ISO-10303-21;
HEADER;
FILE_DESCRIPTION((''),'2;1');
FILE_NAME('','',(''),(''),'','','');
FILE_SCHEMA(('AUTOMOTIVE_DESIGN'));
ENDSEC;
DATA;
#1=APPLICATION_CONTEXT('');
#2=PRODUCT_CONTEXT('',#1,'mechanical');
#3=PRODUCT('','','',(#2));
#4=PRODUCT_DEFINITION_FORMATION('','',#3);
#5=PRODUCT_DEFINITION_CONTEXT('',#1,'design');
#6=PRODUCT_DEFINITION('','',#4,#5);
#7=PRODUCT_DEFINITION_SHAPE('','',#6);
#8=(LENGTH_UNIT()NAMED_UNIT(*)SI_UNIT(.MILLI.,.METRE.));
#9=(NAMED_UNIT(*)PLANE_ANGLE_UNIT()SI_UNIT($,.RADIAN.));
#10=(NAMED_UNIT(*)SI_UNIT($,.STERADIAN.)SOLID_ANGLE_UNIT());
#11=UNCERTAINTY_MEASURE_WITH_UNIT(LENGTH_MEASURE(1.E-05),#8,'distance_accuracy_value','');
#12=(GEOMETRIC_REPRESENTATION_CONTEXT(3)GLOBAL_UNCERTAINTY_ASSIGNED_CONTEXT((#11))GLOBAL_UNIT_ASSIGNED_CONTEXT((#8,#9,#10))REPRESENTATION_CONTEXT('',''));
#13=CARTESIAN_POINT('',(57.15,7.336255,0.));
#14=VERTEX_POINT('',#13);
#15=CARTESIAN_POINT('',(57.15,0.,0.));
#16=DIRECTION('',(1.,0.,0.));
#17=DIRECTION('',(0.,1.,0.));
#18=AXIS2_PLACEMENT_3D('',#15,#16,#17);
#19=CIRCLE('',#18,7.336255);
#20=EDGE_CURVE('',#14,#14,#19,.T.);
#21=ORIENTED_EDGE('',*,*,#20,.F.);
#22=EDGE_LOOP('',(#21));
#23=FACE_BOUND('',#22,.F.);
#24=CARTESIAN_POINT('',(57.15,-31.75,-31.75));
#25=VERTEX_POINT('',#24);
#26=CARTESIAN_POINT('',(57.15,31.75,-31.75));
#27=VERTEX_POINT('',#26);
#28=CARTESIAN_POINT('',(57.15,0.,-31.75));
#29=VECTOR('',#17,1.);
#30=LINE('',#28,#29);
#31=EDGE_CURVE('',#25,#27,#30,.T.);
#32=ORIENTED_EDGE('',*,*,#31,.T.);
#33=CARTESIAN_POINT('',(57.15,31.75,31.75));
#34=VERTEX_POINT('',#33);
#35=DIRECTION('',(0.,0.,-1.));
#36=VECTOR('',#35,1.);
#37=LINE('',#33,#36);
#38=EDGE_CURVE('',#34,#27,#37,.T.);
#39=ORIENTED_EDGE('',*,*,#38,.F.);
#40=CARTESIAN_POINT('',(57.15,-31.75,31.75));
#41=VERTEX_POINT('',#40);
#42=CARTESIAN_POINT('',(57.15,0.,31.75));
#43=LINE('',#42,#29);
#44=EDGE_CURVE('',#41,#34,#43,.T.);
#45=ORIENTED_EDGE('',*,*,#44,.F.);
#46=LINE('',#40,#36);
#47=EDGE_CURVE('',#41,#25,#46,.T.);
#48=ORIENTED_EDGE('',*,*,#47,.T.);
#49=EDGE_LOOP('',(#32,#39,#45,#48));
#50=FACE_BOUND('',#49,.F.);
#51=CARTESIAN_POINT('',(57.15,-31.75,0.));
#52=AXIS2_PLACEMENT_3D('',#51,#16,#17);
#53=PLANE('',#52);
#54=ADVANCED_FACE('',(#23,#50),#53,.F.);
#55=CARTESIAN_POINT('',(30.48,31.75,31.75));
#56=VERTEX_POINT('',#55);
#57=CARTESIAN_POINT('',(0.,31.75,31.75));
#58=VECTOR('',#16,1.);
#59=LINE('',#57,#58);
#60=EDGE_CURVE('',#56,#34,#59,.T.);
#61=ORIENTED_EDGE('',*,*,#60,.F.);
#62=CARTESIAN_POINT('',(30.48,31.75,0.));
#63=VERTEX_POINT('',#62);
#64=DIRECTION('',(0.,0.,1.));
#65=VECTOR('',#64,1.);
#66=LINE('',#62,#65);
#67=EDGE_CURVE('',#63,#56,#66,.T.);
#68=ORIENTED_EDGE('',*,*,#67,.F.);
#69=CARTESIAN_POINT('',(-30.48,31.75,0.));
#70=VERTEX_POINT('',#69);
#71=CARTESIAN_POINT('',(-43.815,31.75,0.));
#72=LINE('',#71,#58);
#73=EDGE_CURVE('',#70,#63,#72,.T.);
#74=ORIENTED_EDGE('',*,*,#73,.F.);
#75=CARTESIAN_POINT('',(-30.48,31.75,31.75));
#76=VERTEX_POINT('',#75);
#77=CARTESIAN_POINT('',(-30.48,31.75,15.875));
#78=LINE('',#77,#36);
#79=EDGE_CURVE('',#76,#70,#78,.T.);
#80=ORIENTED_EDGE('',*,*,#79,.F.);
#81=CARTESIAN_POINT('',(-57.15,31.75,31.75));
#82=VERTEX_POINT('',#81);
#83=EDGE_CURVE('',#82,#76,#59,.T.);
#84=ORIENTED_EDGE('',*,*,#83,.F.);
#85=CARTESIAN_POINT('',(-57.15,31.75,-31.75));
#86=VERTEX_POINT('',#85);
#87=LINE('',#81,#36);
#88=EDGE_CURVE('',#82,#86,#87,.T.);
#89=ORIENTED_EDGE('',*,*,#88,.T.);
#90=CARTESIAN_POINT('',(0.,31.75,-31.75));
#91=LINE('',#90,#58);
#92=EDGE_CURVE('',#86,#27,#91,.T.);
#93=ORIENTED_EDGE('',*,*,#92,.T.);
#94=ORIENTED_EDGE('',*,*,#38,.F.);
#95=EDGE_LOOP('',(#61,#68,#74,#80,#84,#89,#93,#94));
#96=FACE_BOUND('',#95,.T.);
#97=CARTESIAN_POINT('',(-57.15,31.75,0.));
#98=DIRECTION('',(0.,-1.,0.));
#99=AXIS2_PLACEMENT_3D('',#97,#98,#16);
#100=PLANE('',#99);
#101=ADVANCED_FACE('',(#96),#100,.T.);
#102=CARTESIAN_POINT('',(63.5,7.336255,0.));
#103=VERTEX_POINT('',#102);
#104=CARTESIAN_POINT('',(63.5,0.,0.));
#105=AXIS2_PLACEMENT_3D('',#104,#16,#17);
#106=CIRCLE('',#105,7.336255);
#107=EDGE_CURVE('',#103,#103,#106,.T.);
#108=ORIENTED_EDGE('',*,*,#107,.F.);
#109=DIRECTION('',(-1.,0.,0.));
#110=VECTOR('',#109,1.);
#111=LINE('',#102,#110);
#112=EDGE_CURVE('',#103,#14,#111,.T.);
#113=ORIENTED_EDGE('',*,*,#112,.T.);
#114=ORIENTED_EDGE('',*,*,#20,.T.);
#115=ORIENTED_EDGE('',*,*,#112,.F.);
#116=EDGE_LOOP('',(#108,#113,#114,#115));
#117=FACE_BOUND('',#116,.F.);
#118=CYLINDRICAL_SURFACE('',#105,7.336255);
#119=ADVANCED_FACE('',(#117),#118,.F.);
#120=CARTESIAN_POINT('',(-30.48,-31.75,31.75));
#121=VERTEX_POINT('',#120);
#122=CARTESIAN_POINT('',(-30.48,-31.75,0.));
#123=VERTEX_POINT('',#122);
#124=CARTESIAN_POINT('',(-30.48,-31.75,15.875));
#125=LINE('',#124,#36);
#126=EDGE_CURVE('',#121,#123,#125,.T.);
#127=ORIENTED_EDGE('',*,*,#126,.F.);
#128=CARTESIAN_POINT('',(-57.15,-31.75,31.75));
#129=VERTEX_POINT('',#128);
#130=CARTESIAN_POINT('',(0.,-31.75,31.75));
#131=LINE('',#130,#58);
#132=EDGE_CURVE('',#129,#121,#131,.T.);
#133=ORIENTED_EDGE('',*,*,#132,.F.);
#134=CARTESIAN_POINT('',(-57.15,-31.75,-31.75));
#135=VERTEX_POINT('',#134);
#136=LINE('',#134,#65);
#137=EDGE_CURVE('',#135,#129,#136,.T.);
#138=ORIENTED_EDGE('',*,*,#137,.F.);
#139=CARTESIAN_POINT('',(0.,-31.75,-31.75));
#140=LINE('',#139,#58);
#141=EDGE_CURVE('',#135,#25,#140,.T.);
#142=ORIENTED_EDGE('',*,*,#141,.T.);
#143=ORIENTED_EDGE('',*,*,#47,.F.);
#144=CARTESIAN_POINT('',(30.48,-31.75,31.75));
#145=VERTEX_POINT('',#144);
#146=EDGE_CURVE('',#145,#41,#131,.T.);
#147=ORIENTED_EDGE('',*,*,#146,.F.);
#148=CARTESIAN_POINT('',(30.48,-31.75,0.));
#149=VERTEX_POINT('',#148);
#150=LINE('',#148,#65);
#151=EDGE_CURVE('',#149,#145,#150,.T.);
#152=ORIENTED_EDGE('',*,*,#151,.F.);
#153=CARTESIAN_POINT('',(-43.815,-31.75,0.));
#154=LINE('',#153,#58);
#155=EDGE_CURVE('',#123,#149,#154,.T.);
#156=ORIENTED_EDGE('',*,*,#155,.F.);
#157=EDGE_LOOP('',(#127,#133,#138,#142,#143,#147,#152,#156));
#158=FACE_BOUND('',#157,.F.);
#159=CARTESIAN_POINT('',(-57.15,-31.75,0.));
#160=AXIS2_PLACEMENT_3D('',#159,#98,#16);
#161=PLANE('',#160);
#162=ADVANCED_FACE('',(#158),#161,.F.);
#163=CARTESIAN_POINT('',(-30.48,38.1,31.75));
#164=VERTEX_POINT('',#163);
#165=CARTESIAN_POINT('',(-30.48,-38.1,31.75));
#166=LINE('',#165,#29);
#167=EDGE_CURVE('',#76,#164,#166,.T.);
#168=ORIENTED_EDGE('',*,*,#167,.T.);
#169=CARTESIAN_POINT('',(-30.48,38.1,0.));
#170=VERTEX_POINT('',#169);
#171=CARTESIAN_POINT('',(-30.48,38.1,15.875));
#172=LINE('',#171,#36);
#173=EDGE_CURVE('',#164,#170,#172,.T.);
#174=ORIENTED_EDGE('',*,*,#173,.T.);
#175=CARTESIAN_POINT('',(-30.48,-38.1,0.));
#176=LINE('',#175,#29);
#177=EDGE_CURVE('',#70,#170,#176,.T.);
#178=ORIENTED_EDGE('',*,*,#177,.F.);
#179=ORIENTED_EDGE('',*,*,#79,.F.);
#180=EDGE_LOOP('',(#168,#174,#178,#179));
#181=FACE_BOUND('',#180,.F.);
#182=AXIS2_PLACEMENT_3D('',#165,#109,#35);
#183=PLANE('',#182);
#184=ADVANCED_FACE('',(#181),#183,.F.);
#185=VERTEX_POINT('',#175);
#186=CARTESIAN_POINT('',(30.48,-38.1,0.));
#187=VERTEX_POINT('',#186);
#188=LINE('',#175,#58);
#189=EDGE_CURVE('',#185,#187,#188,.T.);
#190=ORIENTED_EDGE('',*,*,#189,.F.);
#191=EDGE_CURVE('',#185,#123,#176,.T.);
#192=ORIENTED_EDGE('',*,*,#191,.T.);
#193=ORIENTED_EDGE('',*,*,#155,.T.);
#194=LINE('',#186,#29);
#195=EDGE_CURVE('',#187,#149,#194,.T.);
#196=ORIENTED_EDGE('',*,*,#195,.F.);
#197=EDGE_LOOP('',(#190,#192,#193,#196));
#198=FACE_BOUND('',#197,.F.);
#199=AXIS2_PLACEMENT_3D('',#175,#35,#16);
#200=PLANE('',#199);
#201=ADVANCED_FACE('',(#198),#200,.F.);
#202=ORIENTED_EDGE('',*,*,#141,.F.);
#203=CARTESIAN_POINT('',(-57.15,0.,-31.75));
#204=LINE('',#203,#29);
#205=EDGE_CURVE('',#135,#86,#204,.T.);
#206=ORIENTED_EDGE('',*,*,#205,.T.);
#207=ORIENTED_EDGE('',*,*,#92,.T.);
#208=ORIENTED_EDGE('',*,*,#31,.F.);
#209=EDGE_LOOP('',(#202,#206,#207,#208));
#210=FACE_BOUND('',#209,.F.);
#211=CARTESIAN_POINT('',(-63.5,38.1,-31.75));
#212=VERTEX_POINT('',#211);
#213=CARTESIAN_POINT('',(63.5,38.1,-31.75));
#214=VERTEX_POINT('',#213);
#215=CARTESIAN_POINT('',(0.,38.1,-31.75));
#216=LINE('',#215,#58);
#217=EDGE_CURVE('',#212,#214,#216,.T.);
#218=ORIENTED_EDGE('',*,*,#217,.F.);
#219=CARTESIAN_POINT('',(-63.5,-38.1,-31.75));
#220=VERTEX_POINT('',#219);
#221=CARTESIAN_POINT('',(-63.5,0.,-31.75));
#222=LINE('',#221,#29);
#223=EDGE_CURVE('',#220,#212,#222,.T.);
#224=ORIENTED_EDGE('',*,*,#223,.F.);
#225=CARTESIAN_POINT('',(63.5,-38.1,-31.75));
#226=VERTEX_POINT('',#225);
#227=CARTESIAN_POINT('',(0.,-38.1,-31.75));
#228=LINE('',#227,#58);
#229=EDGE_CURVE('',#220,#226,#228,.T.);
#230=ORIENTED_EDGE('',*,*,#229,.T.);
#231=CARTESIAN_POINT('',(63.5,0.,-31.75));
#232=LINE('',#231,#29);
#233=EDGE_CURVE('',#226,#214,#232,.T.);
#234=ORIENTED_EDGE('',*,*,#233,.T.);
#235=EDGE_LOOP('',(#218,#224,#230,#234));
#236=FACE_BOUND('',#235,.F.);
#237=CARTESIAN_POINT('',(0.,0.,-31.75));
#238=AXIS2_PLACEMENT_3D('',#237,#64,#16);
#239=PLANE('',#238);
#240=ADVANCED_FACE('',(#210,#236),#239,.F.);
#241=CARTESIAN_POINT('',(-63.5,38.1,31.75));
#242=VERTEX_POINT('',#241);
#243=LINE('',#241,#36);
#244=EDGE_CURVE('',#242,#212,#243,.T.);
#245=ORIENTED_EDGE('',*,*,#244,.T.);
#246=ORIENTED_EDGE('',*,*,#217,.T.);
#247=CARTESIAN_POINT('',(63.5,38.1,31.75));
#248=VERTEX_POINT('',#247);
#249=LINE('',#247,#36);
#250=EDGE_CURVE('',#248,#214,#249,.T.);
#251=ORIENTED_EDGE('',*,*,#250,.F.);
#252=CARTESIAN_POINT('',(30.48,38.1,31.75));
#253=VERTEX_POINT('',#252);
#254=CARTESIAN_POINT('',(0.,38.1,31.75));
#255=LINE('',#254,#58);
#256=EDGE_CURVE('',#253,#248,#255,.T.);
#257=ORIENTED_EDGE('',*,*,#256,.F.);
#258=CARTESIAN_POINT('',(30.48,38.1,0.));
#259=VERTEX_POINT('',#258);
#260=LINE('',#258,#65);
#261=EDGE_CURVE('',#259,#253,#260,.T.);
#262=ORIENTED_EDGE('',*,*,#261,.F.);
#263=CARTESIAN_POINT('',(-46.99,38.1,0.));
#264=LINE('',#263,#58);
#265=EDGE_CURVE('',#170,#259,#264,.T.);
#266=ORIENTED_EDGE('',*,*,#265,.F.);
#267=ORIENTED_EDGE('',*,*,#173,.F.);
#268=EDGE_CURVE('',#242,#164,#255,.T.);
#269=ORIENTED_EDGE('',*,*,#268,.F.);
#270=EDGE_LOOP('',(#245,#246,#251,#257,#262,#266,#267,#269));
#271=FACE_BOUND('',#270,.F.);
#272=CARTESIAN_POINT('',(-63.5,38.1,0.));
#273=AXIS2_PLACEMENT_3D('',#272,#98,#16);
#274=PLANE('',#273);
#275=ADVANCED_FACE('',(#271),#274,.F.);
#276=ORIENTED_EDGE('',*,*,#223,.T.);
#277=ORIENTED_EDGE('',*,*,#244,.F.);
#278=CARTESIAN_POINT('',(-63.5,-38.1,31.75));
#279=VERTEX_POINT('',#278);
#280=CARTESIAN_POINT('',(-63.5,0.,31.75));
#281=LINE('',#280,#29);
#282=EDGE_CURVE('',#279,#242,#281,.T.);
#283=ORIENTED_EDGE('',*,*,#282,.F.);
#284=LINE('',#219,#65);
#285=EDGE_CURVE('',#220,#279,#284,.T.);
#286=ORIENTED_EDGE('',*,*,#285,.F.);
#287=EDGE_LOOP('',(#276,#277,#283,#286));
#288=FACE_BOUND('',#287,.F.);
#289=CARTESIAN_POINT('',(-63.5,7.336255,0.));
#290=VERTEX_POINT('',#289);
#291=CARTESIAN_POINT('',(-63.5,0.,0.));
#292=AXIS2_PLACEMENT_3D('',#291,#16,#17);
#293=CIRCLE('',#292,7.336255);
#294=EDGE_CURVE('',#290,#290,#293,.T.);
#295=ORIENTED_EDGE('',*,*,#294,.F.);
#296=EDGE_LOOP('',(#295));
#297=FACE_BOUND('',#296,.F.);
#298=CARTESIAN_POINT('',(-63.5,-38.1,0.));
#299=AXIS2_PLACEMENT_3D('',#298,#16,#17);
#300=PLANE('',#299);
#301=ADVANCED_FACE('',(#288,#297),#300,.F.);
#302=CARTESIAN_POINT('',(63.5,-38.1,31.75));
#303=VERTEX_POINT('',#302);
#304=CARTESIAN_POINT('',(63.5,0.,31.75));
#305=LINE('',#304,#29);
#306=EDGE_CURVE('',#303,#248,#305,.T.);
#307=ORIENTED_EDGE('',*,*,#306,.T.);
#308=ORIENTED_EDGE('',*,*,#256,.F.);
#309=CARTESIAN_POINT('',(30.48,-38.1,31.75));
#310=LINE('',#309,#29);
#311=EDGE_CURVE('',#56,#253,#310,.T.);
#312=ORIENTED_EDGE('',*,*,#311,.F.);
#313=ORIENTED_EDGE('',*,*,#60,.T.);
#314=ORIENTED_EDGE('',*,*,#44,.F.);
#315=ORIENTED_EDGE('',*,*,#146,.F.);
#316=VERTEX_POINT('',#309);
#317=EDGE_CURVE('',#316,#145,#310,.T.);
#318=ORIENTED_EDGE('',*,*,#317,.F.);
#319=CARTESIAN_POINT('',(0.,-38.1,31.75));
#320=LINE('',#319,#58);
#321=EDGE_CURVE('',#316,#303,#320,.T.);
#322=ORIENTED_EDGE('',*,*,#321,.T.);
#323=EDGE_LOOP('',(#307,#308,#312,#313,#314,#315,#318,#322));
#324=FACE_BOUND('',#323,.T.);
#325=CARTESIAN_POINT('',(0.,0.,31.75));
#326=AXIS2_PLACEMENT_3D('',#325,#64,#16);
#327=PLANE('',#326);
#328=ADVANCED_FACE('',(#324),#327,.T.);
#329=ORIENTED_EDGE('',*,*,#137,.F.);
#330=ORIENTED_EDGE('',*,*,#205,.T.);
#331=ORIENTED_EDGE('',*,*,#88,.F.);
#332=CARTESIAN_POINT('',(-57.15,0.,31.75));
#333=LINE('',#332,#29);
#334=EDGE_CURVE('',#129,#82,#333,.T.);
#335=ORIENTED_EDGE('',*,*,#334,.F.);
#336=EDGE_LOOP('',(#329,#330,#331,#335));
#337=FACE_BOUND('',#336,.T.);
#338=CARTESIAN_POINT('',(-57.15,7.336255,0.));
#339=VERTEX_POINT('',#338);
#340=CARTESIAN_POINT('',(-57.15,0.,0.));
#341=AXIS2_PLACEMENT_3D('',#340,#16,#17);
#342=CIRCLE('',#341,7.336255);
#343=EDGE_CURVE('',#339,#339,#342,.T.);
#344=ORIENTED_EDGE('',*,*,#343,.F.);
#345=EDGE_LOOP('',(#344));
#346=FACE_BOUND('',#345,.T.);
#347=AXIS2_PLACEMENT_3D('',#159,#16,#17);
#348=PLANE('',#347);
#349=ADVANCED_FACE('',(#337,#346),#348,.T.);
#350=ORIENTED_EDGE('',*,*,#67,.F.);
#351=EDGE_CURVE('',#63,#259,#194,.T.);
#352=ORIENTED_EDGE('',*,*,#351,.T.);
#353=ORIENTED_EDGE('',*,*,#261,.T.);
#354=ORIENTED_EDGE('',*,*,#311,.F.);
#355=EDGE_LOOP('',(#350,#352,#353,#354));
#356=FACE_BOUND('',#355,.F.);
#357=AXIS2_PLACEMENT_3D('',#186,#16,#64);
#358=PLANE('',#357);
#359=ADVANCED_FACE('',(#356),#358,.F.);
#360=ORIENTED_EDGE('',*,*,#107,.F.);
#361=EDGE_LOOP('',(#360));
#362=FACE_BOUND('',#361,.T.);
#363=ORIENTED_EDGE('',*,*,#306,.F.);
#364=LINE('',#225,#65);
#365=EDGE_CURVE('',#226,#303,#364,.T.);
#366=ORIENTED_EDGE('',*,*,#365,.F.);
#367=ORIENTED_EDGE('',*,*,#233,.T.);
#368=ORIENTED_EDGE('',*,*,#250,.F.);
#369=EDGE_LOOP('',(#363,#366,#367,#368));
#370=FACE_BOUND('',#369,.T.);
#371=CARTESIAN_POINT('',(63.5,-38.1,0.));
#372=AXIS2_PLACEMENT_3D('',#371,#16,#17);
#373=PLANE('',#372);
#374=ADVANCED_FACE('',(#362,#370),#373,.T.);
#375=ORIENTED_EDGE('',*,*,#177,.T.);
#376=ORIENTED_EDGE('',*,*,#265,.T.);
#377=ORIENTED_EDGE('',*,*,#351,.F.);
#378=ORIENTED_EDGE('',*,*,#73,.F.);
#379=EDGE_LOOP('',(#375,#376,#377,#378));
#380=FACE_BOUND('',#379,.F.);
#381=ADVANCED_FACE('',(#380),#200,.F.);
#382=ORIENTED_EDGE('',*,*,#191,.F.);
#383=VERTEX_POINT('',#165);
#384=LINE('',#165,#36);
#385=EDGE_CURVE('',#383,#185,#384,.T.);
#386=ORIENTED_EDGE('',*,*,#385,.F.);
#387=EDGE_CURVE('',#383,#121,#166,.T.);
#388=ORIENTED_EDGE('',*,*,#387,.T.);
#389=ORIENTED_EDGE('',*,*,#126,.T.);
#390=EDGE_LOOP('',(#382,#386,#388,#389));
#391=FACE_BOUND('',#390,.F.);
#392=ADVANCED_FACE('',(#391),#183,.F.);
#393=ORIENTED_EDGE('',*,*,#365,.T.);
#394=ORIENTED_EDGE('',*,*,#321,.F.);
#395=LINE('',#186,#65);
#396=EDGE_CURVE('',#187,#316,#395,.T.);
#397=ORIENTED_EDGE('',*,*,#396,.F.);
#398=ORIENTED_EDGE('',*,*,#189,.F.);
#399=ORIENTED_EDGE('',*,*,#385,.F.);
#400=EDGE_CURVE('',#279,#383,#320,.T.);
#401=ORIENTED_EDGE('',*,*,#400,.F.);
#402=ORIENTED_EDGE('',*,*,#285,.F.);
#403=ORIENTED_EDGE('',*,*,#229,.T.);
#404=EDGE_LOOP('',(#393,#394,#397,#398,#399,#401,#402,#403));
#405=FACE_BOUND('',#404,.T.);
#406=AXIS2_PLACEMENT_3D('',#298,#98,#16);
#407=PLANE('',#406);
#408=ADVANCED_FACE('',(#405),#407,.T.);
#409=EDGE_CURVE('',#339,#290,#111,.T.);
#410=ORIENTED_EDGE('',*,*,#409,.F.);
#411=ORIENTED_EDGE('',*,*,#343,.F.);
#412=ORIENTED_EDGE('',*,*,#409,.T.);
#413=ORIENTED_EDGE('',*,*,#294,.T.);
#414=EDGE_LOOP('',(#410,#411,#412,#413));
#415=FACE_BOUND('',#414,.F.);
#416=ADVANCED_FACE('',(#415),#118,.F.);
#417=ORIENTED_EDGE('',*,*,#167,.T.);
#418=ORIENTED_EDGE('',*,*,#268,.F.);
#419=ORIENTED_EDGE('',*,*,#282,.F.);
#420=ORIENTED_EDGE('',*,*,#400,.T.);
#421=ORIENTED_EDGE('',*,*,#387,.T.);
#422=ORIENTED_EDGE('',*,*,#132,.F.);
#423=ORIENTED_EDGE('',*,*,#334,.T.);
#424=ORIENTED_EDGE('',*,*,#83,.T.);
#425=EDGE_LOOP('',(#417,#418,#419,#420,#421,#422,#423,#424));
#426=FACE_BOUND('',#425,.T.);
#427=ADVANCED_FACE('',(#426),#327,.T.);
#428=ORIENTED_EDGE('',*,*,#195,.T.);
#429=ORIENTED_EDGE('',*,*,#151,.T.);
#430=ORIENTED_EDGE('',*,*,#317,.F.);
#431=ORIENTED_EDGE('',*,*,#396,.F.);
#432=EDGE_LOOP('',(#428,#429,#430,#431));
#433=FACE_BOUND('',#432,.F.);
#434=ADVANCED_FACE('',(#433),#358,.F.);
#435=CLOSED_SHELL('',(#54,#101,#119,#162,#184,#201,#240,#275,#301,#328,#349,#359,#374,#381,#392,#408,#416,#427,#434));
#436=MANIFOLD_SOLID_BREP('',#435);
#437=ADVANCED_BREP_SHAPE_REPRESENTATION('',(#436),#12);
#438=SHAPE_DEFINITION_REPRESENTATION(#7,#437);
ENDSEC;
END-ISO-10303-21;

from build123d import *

# Parameters (mm, degrees)
F0_W     = 127
F0_H     = 76.2
F0_W_2   = 114.3
F0_H_2   = 63.5
F1_DEPTH = 31.75
F3_DEPTH = 101.6
F4_R     = 7.336255
F5_DEPTH = 127


with BuildPart() as f1:
    # F0 (on Top) → F1 (new body, symmetric)
    with BuildSketch(Plane.XY):
        Rectangle(F0_W, F0_H)
        Rectangle(F0_W_2, F0_H_2, mode=Mode.SUBTRACT)
    extrude(amount=F1_DEPTH, both=True)

    # F2 (on face) → F3 (cut)
    with BuildSketch(Plane.XZ.offset(38.1)):
        Polygon((30.48, 31.75), (-30.48, 31.75), (-30.48, 0), (0, 0), (30.48, 0), align=None)
    extrude(amount=-F3_DEPTH, mode=Mode.SUBTRACT)

    # F4 (on face) → F5 (cut)
    with BuildSketch(Plane.YZ.offset(63.5)):
        Circle(F4_R)
    extrude(amount=-F5_DEPTH, mode=Mode.SUBTRACT)


solid = f1.part
